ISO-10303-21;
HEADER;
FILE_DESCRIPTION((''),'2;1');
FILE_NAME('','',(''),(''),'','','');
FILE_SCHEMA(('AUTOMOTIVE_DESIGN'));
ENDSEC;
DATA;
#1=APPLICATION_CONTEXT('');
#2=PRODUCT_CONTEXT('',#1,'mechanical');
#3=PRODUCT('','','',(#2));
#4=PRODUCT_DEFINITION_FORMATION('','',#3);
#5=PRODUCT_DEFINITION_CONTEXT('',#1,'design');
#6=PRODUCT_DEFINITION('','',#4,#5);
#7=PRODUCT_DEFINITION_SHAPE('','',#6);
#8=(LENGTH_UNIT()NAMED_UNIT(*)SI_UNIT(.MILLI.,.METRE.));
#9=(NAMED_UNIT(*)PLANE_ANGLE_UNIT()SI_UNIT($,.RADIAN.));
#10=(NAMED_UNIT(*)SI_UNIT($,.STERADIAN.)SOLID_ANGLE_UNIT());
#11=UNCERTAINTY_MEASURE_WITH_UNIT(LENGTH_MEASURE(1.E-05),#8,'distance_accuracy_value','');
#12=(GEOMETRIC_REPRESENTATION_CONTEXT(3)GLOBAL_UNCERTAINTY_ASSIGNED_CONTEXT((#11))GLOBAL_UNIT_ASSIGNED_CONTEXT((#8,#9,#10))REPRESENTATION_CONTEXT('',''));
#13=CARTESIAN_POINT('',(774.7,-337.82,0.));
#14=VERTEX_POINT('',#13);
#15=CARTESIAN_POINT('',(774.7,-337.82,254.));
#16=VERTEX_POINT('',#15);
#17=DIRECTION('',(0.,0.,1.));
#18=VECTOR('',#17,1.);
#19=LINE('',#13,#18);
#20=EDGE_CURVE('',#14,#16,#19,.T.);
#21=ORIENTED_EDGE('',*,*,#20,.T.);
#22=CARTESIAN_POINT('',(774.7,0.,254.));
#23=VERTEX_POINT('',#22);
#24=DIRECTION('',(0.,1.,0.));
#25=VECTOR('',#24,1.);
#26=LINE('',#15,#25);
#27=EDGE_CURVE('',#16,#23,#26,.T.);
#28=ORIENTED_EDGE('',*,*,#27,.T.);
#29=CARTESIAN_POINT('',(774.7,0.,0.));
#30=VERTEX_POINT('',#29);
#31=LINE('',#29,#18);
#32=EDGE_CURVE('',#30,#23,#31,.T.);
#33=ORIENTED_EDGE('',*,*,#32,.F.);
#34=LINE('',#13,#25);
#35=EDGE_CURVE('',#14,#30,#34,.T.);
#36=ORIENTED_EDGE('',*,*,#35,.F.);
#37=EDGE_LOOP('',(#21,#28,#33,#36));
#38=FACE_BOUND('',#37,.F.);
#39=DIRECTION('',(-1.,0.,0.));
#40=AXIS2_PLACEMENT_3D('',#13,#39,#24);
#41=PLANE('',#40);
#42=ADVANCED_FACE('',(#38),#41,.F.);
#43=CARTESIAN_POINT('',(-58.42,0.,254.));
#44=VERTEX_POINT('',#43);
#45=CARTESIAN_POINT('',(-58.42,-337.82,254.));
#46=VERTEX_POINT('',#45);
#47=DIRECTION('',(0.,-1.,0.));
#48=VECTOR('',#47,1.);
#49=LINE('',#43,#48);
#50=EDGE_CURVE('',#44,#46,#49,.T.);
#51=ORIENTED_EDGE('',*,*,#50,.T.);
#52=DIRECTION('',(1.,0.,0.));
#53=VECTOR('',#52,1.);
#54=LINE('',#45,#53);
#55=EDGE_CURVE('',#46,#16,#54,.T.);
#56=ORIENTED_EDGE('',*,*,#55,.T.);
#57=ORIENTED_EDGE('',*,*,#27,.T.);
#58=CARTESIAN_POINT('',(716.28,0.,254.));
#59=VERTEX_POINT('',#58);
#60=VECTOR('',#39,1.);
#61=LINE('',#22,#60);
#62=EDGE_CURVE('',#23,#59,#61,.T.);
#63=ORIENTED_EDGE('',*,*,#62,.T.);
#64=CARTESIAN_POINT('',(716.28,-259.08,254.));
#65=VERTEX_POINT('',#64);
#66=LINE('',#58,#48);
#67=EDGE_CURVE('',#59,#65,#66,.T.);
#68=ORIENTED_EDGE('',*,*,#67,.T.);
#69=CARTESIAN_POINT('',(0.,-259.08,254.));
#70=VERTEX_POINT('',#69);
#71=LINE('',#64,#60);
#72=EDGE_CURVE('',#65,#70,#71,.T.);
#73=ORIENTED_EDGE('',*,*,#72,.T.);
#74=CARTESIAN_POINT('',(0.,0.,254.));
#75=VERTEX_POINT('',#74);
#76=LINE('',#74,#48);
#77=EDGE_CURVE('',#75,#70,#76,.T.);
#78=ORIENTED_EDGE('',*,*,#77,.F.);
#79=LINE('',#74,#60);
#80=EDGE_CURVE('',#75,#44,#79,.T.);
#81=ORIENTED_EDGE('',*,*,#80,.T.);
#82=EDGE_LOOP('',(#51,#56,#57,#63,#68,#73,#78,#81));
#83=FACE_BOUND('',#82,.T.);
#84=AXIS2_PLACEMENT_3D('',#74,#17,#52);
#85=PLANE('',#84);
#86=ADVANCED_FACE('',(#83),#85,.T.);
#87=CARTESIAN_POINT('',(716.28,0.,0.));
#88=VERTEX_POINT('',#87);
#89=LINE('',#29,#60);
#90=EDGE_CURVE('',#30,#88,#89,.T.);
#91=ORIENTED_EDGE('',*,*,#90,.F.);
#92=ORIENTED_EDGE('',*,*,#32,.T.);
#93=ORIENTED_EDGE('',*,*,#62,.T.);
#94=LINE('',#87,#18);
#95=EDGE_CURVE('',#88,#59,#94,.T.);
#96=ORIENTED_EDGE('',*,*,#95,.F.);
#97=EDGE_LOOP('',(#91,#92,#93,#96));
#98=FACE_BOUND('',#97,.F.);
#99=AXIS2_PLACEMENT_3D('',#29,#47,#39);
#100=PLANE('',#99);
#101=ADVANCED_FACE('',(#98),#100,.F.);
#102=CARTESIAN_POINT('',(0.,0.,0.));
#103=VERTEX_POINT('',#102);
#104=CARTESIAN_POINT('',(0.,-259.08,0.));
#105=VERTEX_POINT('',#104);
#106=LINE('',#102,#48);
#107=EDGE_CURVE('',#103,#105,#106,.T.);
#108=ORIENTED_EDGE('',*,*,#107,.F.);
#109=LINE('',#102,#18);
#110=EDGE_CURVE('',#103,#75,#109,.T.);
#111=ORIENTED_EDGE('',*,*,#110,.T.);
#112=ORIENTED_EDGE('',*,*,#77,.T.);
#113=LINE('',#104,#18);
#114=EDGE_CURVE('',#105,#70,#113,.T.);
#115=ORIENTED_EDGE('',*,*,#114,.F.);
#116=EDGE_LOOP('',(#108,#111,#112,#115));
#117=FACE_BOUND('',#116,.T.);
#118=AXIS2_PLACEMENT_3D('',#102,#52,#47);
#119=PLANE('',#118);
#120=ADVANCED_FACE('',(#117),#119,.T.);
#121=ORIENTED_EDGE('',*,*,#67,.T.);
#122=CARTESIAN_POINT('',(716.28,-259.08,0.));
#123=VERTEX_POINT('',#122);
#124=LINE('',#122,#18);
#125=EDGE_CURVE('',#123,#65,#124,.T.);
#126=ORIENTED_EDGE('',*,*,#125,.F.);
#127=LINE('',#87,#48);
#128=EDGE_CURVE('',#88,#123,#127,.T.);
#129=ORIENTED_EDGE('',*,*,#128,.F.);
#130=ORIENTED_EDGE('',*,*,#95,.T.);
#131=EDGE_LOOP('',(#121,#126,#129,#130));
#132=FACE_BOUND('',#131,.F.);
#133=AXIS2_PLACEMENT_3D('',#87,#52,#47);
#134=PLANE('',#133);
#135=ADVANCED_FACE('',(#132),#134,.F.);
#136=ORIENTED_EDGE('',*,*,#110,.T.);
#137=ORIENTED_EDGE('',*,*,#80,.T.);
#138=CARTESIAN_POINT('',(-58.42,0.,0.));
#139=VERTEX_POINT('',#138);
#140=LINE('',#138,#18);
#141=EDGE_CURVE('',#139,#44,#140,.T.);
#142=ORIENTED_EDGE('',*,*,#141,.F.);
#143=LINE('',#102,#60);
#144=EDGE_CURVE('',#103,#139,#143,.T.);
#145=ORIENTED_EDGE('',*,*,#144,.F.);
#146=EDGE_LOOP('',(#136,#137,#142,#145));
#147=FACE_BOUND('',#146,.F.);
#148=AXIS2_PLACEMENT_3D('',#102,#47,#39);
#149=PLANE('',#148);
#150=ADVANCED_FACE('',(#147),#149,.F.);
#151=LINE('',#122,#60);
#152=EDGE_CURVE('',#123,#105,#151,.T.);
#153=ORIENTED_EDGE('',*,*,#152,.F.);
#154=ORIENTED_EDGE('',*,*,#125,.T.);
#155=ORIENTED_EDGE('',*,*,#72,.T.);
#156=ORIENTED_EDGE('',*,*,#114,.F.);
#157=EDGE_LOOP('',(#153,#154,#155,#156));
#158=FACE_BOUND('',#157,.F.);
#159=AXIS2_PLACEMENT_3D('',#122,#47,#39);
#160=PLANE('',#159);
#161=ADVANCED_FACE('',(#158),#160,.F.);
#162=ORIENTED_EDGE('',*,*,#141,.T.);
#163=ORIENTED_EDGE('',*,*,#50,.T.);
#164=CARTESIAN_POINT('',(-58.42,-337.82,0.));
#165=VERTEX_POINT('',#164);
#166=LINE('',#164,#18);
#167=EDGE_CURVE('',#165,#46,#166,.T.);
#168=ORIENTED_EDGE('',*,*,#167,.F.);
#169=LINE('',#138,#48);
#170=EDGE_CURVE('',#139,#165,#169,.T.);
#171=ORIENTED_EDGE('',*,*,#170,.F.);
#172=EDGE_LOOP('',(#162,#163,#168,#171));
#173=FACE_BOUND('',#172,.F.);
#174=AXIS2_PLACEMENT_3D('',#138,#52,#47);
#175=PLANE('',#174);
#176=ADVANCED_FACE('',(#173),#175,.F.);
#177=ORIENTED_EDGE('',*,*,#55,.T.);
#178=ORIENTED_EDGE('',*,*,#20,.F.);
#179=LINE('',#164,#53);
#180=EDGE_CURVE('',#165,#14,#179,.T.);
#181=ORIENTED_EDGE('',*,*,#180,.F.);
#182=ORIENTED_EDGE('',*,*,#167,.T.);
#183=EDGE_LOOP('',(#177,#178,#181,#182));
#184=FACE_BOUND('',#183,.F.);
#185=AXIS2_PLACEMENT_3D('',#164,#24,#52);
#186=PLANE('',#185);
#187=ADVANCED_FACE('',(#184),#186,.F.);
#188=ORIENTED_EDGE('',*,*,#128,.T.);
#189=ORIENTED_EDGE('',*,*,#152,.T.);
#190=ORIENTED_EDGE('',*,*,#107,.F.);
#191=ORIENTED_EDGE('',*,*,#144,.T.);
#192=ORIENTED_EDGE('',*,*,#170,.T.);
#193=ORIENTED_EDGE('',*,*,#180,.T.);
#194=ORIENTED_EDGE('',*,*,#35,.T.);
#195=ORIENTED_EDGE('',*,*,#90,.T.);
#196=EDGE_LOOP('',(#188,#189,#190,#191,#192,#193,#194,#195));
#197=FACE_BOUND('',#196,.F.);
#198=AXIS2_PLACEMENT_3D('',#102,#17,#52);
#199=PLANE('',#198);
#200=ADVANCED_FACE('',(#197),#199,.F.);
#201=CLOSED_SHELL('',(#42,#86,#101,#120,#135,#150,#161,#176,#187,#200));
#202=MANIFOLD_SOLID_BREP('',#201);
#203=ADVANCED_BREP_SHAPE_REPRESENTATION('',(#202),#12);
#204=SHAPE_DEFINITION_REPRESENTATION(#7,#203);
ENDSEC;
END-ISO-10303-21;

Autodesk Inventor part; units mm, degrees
ref_plane "YZ Plane" through (0, 0, 0) normal (1, 0, 0) x (0, 1, 0)
ref_plane "XZ Plane" through (0, 0, 0) normal (0, 1, 0) x (-1, 0, 0)
ref_plane "XY Plane" through (0, 0, 0) normal (0, 0, 1) x (1, 0, 0)
sketch "Sketch1" plane through (0, 0, 0) normal (0, 0, 1) x (1, 0, 0)
  line L0 (0, 0) -> (-58.42, 0)
  line L1 (-58.42, 0) -> (-58.42, -337.82)
  line L2 (-58.42, -337.82) -> (774.7, -337.82)
  line L3 (774.7, -337.82) -> (774.7, 0)
  line L4 (774.7, 0) -> (716.28, 0)
  line L5 (716.28, 0) -> (716.28, -259.08)
  line L6 (716.28, -259.08) -> (0, -259.08)
  line L7 (0, 0) -> (0, -259.08)
  dimension "d0" = 58.42
  dimension "d1" = 337.82
  dimension "d2" = 337.82
  dimension "d3" = 58.42
  dimension "d4" = 78.74
  dimension "d5" = 833.12
extrude "Extrusion1" add sketch "Sketch1" along normal blind 254
properties part number "Rear B Spacer"
